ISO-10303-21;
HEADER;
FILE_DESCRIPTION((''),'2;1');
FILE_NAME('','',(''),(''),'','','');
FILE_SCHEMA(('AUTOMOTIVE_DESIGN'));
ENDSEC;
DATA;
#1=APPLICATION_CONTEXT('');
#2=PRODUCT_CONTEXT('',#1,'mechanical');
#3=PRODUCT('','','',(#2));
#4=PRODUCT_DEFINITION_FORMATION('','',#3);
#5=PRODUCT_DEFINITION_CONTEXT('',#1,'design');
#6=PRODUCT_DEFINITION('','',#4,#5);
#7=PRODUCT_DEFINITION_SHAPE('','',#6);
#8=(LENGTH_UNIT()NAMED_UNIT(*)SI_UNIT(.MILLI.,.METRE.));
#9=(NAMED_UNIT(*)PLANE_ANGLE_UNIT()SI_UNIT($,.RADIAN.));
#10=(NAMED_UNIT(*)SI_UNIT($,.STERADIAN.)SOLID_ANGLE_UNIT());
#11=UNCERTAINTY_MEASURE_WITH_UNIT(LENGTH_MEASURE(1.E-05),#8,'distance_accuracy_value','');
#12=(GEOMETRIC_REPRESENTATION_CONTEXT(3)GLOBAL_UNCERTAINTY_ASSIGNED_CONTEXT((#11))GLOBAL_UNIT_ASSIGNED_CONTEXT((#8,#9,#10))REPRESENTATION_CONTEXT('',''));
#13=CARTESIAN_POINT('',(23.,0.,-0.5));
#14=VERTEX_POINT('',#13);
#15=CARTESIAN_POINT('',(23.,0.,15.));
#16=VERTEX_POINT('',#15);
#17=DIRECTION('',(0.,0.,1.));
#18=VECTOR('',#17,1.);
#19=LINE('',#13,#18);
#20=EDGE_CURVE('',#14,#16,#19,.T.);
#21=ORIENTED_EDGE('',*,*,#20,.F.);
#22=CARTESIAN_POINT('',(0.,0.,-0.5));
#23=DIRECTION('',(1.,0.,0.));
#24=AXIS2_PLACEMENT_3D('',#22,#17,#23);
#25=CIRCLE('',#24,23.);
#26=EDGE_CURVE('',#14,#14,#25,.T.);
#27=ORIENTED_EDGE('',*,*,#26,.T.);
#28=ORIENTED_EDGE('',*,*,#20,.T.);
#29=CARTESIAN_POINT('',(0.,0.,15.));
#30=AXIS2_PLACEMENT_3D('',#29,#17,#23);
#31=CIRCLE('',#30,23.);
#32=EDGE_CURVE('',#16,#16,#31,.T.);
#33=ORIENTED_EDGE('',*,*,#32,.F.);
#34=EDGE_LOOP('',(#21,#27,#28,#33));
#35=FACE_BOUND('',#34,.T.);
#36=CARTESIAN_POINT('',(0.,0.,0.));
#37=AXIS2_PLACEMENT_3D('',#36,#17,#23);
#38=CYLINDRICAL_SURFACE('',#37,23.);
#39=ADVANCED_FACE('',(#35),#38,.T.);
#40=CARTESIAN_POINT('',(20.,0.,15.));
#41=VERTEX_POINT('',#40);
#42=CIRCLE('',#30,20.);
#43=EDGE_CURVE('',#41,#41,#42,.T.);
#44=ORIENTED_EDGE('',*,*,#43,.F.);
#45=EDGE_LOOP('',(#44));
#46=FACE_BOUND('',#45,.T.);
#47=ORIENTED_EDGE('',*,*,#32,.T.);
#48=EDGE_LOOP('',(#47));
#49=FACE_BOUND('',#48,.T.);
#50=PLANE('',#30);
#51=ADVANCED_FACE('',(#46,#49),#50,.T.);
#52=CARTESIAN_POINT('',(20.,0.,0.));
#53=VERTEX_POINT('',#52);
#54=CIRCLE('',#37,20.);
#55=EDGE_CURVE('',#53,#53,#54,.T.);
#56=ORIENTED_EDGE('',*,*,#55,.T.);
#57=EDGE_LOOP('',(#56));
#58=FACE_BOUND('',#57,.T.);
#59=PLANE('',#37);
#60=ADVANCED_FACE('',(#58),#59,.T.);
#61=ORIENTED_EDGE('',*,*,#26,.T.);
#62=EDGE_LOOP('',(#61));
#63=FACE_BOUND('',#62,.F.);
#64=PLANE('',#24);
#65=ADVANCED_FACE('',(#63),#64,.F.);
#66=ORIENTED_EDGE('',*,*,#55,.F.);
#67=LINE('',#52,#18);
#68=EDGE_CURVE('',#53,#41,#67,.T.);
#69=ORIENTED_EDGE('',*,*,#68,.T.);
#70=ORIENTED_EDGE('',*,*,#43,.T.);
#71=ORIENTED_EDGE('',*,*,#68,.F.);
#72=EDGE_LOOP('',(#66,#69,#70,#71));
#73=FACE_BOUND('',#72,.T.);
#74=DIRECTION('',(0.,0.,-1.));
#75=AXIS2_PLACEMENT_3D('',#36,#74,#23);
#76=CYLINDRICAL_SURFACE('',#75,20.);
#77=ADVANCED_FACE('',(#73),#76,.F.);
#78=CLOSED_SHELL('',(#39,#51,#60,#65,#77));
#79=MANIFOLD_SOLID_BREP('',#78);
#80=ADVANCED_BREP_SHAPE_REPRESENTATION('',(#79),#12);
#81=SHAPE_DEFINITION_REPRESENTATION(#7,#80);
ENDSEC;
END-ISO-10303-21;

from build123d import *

# Parameters (mm, degrees)
F0_R     = 23
F0_R_2   = 20
F1_DEPTH = 15
F2_R     = 23
F3_DEPTH = 0.5


with BuildPart() as f1:
    # F0 (on Top) → F1 (new body)
    with BuildSketch(Plane.XY):
        Circle(F0_R)
        Circle(F0_R_2, mode=Mode.SUBTRACT)
    extrude(amount=F1_DEPTH)

    # F2 (on Top) → F3 (join)
    with BuildSketch(Plane.XY):
        Circle(F2_R)
    extrude(amount=-F3_DEPTH)


solid = f1.part
